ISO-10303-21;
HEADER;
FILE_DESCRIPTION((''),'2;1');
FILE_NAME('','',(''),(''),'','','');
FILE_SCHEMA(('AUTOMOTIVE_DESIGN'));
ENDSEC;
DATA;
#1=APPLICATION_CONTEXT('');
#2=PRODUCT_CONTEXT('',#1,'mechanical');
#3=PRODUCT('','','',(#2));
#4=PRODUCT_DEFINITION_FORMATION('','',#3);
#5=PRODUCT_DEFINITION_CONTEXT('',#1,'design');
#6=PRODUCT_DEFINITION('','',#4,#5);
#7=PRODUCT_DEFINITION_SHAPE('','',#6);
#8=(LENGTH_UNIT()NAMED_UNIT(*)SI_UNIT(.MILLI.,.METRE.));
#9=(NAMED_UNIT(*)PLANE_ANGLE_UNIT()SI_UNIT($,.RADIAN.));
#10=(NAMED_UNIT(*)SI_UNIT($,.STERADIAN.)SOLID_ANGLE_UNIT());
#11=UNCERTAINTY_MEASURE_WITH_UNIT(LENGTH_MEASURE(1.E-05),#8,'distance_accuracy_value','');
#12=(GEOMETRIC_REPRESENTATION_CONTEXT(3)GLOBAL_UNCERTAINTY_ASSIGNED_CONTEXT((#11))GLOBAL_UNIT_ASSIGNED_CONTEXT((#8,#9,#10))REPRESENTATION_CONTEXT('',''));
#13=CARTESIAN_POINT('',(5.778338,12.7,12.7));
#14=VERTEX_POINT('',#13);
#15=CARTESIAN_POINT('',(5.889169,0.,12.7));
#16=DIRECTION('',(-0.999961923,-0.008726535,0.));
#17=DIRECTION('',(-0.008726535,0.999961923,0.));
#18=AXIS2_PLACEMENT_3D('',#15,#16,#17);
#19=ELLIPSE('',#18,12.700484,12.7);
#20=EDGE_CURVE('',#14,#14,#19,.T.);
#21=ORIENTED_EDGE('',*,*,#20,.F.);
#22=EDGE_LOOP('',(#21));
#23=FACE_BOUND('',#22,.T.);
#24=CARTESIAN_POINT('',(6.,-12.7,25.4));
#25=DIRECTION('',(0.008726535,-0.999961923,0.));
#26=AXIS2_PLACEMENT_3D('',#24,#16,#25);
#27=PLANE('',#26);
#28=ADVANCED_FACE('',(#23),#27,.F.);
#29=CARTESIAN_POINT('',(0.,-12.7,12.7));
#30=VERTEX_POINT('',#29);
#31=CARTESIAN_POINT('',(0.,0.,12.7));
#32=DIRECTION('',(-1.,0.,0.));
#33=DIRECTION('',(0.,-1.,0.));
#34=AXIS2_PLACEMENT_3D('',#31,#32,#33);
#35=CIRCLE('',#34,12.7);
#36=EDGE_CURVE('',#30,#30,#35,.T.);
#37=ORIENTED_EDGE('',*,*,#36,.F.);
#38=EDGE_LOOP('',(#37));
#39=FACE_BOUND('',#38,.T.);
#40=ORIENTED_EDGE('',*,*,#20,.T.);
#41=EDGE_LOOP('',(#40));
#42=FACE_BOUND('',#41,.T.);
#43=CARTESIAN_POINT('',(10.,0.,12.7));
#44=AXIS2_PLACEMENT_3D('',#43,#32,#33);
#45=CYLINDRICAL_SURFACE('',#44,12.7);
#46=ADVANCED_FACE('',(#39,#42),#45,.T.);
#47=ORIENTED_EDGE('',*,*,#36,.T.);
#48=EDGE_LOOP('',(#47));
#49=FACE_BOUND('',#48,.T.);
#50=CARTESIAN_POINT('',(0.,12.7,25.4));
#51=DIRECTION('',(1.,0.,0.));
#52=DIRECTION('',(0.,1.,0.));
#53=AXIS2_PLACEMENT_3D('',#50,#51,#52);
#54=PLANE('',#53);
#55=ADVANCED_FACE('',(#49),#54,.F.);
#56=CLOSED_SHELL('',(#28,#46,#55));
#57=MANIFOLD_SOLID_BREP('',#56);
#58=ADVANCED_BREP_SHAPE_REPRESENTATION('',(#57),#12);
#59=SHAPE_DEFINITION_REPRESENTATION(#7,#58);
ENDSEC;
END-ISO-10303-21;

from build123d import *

# Parameters (mm, degrees)
EXTRUDE_1_DEPTH     = 25.4
CUT_EXTRUDE_1_DEPTH = 10


with BuildPart() as part:
    # 草图1 → 凸台-拉伸1 (new body)
    with BuildSketch(Plane.XY):
        Polygon((0, 12.7), (0, -12.7), (6, -12.7), (5.778337558, 12.7), align=None)
    extrude(amount=EXTRUDE_1_DEPTH)

    # 草图2 → 切除-拉伸1 (cut)
    with BuildSketch(Plane.ZY):
        with BuildLine():
            ThreePointArc((12.7, -12.7), (3.719743879, -8.980256121), (0, 0))
            Line((0, 0), (0, -12.7))
            Line((0, -12.7), (12.7, -12.7))
        make_face()
        with BuildLine():
            ThreePointArc((25.4, 0), (21.680256121, -8.980256121), (12.7, -12.7))
            Line((12.7, -12.7), (25.4, -12.7))
            Line((25.4, -12.7), (25.4, 0))
        make_face()
        with BuildLine():
            Line((25.4, 12.7), (12.7, 12.7))
            ThreePointArc((12.7, 12.7), (21.680256121, 8.980256121), (25.4, 0))
            Line((25.4, 0), (25.4, 12.7))
        make_face()
        with BuildLine():
            Line((12.7, 12.7), (0, 12.7))
            Line((0, 12.7), (0, 0))
            ThreePointArc((0, 0), (3.719743879, 8.980256121), (12.7, 12.7))
        make_face()
    extrude(amount=-CUT_EXTRUDE_1_DEPTH, mode=Mode.SUBTRACT)


solid = part.part
